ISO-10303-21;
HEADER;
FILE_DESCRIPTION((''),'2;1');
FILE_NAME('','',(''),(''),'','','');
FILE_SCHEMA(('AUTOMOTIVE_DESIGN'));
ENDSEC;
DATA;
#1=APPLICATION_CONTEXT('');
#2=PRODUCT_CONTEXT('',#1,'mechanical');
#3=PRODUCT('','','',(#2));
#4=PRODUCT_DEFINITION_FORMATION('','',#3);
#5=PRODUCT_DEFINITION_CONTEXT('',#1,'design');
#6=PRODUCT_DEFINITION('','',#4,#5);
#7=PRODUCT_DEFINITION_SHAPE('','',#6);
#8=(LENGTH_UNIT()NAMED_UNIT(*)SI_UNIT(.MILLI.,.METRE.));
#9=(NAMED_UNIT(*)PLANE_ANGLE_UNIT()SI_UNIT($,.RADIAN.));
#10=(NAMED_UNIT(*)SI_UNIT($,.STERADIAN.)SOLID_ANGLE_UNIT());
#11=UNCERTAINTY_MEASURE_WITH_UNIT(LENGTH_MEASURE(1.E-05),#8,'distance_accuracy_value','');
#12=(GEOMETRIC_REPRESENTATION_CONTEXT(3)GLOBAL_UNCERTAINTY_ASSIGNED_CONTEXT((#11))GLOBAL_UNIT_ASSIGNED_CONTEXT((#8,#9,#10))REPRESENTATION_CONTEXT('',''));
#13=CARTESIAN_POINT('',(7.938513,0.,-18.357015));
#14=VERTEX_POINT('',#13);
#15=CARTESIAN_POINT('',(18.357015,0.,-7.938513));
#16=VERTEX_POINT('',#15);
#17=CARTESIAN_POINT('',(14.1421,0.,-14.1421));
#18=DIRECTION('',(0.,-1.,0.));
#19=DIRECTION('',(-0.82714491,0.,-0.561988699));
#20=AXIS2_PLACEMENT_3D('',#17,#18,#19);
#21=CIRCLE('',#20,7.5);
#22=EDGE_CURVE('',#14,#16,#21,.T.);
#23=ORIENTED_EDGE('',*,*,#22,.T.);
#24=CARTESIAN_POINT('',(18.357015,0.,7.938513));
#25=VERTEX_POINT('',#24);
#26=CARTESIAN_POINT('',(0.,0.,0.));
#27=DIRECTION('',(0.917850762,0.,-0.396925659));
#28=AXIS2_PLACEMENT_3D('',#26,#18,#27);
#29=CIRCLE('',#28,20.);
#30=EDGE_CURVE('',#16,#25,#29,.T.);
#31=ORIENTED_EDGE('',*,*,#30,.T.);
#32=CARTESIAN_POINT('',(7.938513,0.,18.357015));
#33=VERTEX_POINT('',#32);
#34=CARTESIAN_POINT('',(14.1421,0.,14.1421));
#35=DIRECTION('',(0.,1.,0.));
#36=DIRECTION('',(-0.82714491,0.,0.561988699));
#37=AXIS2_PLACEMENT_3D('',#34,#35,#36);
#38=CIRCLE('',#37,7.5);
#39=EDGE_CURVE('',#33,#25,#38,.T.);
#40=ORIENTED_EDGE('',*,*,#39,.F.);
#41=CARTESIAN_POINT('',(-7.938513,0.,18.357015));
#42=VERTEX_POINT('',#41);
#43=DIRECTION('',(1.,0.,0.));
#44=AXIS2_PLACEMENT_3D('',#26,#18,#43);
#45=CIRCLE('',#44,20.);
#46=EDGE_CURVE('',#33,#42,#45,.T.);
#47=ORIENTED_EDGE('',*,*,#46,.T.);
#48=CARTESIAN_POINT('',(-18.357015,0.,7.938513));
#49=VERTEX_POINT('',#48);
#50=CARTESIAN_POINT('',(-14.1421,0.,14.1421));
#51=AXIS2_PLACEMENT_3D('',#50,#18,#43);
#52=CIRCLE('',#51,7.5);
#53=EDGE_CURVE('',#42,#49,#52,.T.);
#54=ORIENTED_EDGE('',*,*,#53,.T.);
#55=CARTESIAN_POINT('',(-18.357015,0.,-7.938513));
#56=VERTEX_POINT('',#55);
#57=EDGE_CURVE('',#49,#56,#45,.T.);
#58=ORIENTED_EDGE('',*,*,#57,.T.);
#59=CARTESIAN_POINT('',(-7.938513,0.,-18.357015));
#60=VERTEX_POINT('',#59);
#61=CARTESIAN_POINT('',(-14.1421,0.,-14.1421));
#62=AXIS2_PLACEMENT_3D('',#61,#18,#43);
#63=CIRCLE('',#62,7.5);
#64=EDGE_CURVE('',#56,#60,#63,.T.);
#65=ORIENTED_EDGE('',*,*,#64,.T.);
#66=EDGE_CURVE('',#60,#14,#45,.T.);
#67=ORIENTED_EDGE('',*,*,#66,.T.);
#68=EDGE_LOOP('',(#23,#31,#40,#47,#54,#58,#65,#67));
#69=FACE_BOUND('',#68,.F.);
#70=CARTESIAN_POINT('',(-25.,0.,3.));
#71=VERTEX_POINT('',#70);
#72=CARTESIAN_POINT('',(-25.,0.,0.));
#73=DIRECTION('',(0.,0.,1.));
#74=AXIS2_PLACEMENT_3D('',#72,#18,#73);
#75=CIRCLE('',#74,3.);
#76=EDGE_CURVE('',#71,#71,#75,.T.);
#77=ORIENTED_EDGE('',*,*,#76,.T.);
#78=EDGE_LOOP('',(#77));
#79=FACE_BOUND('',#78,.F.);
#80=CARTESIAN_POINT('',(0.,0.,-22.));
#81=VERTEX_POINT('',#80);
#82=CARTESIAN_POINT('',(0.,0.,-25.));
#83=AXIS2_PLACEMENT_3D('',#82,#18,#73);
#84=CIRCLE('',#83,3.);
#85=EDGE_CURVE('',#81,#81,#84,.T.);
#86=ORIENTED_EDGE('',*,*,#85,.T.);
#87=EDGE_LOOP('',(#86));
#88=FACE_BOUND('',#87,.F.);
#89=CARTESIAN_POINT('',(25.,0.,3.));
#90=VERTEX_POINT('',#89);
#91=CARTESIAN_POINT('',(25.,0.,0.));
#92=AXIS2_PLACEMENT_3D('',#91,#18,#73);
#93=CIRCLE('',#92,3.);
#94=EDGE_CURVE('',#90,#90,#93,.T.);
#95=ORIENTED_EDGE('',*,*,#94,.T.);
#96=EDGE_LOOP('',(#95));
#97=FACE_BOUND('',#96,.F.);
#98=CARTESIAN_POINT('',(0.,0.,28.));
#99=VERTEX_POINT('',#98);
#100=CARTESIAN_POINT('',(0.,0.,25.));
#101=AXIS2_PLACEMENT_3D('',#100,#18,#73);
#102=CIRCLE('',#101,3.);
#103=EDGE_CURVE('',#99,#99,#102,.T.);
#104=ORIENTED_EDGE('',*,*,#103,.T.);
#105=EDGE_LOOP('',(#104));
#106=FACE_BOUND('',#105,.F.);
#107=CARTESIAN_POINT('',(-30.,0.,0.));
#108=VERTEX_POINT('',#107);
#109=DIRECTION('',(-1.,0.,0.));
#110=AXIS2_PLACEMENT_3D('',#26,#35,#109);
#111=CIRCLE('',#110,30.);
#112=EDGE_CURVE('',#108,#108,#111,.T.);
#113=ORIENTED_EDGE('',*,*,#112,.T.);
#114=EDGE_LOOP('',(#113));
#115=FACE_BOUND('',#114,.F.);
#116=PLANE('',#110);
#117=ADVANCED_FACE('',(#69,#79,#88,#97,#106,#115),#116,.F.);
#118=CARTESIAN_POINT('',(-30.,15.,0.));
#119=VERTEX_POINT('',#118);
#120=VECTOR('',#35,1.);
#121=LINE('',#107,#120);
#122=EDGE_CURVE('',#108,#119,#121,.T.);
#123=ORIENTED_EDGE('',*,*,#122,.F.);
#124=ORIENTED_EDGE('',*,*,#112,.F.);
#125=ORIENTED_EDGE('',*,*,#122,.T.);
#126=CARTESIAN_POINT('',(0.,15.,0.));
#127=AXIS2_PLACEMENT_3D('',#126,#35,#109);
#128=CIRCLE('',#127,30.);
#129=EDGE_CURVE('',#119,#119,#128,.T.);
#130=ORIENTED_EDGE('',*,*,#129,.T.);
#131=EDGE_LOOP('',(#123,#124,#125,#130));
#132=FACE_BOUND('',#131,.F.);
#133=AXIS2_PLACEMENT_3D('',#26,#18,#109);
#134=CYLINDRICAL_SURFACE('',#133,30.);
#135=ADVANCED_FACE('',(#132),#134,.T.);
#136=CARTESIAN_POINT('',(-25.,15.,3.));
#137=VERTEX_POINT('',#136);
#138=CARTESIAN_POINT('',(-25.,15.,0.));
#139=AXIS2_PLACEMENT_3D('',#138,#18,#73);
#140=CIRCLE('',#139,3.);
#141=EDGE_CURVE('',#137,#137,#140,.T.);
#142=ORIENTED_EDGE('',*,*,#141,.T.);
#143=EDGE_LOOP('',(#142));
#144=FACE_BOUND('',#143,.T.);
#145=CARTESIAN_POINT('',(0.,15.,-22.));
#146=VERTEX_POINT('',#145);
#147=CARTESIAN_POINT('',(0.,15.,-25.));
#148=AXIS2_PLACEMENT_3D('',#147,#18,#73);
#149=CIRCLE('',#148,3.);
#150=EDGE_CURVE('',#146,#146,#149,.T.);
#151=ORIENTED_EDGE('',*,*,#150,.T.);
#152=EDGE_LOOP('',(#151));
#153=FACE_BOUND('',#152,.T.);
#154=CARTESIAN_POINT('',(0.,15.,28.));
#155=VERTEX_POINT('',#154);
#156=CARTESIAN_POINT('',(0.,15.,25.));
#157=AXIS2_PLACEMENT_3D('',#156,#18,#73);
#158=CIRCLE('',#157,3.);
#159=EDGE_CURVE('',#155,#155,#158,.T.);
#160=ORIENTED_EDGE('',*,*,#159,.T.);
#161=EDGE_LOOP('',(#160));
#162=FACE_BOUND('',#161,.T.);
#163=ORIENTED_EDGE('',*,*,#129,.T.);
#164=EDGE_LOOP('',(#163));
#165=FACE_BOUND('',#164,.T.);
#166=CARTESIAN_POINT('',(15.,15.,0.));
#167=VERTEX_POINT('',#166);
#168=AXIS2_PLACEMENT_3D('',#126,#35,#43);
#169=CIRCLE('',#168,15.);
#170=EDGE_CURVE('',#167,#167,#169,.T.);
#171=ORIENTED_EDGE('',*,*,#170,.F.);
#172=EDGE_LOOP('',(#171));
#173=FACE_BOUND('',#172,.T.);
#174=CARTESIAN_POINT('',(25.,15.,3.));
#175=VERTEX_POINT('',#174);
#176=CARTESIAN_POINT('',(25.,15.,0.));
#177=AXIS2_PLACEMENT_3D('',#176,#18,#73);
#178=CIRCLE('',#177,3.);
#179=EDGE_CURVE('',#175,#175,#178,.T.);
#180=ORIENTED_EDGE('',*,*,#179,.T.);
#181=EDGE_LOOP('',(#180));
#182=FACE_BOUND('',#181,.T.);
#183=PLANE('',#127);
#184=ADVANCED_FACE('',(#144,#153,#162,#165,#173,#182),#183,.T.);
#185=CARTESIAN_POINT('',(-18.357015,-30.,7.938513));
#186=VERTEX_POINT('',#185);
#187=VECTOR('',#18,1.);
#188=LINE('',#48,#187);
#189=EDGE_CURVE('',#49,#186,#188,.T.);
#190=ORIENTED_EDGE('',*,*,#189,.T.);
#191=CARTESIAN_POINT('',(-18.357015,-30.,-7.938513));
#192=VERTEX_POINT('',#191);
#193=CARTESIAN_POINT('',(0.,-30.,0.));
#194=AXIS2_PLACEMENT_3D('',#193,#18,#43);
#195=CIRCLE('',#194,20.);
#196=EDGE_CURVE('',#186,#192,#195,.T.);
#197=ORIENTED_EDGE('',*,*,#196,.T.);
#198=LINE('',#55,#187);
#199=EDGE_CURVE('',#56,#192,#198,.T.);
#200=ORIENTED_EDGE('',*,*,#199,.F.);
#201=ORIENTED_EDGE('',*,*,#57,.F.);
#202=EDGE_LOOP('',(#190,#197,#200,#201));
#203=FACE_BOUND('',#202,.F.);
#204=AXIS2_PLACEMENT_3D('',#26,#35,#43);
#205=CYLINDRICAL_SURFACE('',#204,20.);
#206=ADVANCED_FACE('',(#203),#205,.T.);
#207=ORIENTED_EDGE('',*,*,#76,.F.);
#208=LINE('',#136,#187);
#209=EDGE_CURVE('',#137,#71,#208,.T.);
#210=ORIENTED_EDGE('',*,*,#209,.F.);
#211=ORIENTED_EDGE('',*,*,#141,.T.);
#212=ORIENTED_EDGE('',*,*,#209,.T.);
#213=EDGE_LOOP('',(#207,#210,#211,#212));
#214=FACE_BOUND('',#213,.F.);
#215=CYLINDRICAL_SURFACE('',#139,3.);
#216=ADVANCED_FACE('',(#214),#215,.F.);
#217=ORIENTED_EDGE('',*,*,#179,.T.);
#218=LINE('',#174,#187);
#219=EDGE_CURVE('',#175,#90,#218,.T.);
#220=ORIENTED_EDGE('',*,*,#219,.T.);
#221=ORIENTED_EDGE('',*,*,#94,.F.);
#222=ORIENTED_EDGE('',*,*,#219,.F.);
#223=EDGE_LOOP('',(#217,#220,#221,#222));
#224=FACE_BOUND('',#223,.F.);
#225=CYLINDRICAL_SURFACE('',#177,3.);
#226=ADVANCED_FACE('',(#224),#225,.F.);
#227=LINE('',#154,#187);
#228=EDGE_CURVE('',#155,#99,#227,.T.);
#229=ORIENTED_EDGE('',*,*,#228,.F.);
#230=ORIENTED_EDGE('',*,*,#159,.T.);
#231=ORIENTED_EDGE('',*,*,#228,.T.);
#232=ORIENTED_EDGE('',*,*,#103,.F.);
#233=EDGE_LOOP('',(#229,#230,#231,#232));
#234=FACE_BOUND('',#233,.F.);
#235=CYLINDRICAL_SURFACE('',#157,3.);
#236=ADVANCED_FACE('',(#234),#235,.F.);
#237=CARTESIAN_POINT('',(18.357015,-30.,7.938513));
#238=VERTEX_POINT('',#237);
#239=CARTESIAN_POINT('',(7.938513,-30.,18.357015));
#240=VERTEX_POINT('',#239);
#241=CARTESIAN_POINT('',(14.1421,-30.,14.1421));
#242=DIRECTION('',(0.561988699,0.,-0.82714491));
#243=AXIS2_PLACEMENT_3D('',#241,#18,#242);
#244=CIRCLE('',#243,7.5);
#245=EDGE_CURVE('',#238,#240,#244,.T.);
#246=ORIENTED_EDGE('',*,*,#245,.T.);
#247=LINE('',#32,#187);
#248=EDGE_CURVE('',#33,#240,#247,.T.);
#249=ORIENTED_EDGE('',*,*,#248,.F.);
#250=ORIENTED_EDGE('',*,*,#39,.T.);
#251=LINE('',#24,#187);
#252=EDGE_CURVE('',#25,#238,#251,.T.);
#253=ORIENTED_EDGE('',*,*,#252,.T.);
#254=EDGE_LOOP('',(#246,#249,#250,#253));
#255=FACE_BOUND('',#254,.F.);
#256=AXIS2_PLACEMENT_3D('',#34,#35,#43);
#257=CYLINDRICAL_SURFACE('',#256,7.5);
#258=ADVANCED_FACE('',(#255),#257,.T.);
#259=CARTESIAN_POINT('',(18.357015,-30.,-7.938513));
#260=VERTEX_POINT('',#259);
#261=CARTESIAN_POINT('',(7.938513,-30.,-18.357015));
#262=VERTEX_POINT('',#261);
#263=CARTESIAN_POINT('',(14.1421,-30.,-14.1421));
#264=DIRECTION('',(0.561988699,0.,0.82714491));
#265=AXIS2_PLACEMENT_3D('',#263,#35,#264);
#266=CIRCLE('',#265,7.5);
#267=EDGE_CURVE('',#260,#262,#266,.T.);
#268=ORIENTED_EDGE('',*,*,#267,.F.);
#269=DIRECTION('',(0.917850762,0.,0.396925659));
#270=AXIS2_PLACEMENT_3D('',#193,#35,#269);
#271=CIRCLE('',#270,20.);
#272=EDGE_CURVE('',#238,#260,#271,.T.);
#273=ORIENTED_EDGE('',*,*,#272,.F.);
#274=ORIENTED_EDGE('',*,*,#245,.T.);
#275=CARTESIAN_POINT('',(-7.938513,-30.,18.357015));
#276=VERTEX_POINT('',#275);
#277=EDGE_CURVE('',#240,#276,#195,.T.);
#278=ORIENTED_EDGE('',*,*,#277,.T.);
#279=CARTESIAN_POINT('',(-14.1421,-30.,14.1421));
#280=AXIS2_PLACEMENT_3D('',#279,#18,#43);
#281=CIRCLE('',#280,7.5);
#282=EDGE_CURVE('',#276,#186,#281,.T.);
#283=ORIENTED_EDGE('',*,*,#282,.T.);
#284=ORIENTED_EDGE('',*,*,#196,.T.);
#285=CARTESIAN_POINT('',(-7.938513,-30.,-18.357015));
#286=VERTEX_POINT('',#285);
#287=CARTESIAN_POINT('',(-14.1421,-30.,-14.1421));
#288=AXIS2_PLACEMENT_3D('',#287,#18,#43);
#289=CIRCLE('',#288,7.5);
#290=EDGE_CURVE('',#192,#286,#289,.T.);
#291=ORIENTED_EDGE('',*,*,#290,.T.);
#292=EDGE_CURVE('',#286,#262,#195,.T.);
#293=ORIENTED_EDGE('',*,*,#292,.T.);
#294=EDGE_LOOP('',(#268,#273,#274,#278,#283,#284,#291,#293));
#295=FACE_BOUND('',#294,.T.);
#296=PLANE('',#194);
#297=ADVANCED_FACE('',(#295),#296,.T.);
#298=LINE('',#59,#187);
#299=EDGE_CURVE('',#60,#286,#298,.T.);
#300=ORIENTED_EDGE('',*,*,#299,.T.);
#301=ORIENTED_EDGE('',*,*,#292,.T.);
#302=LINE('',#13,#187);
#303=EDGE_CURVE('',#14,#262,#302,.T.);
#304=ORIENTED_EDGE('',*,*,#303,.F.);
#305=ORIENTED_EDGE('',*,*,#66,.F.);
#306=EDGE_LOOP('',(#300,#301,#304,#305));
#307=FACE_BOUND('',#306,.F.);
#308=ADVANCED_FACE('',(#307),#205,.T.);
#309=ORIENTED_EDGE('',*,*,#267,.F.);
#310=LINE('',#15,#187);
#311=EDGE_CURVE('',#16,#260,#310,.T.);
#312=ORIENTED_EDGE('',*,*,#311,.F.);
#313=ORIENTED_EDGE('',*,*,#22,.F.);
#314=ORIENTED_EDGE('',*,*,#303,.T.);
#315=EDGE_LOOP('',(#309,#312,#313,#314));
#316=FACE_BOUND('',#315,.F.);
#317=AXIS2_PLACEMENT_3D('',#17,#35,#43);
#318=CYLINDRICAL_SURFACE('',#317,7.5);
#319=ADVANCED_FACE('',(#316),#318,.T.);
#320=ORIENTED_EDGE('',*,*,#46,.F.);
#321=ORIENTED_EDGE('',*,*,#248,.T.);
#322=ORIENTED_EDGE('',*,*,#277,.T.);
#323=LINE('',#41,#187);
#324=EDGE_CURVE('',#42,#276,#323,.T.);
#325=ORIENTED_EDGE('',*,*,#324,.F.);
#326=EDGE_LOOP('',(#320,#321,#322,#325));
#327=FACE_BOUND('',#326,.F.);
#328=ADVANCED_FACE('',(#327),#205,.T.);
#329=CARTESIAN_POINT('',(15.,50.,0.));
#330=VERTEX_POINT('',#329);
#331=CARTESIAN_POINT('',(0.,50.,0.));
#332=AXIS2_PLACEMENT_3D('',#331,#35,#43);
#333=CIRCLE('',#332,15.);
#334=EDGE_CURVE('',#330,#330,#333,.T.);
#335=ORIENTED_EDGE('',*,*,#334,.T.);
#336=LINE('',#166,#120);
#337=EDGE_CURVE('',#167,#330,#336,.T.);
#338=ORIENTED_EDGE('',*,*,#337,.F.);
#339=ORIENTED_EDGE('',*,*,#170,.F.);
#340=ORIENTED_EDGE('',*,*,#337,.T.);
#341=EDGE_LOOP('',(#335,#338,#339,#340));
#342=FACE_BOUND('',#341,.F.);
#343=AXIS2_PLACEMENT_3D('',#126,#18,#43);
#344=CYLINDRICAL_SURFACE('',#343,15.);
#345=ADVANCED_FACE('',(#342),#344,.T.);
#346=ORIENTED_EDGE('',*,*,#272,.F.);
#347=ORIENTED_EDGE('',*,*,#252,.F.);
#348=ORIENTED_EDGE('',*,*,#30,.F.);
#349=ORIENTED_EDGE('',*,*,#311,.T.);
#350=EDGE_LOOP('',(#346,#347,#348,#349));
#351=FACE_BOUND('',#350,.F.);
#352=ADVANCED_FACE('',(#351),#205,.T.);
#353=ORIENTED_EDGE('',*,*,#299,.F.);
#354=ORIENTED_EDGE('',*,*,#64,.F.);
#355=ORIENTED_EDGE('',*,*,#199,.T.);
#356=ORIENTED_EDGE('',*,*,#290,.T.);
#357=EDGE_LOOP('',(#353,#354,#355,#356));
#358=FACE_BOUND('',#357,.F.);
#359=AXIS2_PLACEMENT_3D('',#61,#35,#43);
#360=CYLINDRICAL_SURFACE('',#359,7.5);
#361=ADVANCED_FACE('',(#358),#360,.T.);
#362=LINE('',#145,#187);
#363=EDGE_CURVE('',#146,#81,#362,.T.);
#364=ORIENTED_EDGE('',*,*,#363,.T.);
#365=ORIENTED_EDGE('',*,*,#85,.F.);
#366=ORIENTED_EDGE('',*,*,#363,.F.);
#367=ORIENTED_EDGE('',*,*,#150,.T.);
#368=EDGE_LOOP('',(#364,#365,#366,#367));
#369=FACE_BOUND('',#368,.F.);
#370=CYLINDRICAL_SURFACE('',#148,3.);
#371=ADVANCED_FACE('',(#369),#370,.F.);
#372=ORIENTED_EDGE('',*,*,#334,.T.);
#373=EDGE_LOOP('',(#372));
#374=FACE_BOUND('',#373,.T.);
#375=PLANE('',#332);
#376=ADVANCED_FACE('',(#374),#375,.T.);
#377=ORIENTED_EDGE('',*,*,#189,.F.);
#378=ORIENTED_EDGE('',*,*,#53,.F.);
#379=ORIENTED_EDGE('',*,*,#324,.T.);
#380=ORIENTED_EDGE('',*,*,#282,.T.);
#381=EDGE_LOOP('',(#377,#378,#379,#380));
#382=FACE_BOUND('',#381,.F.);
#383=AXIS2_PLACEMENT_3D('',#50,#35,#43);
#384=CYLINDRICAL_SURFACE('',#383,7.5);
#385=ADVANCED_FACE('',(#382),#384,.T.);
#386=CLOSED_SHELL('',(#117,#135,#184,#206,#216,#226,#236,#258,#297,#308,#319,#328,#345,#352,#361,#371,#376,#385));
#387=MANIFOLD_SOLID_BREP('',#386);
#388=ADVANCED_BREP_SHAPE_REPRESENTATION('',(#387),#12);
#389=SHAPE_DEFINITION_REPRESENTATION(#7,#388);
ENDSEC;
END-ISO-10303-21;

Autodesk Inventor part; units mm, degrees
ref_plane "YZ Plane" through (0, 0, 0) normal (1, 0, 0) x (0, 1, 0)
ref_plane "XZ Plane" through (0, 0, 0) normal (0, 1, 0) x (-1, 0, 0)
ref_plane "XY Plane" through (0, 0, 0) normal (0, 0, 1) x (1, 0, 0)
sketch "Эскиз1" plane through (0, 0, 0) normal (0, 1, 0) x (-1, 0, 0)
  circle A0 centre (0, 0) radius 30
  dimension "d0" = 60
extrude "Выдавливание1" add sketch "Эскиз1" along normal blind 15
sketch "Эскиз3" plane through (0, 0, 0) normal (0, -1, 0) x (1, 0, 0)
  circle A0 centre (0, 0) radius 20
  line L0 (0, 0) -> (30, 0) construction
  line L1 (0, 0) -> (30, 0) construction
  line L2 (0, 0) -> (30, 0) construction
  line L3 (0, 0) -> (30, 0) construction
  line L4 (0, 0) -> (14.1421, 14.1421)
  line L5 (0, 0) -> (20, 0) construction
  line L6 (0, 0) -> (14.1421, -14.1421)
  line L7 (0, 0) -> (-14.1421, 14.1421)
  line L8 (0, 0) -> (20, 0) construction
  line L9 (0, 0) -> (-14.1421, -14.1421)
  line L10 (0, 0) -> (20, 0) construction
  circle A1 centre (14.1421, 14.1421) radius 7.5
  circle A2 centre (14.1421, -14.1421) radius 7.5
  circle A3 centre (-14.1421, -14.1421) radius 7.5
  circle A4 centre (-14.1421, 14.1421) radius 7.5
  point P0 (-8.7707, -17.9743)
  point P1 (-16.2945, -11.5969)
  point P2 (-8.7707, 17.9743)
  point P3 (-16.2945, 11.5969)
  point P4 (11.5969, -16.2945)
  point P5 (17.9743, -8.7707)
  point P6 (17.995, 8.7282)
  point P7 (11.5862, 16.3021)
  point P8 (18.357, 7.9385)
  point P9 (7.9385, 18.357)
  point P10 (-7.9385, 18.357)
  point P11 (-18.357, 7.9385)
  point P12 (-18.357, -7.9385)
  point P13 (-7.9385, -18.357)
  point P14 (7.9385, -18.357)
  point P15 (18.357, -7.9385)
  dimension "d26" = 40
  dimension "d62" = 20
  dimension "d63" = 45
  dimension "d64" = 20
  dimension "d65" = 20
  dimension "d66" = 135
  dimension "d67" = 20
  dimension "d68" = 135
  dimension "d69" = 15
  dimension "d70" = 15
  dimension "d71" = 15
  dimension "d72" = 15
sketch "Эскиз4" plane through (0, 15, 0) normal (0, 1, 0) x (1, 0, 0)
  circle A0 centre (0, 0) radius 15
  dimension "d41" = 30
extrude "Выдавливание3" add sketch "Эскиз4" along normal blind 35
sketch "Эскиз5" plane through (0, 15, 0) normal (0, 1, 0) x (1, 0, 0)
  line L0 (0, 0) -> (0, -25)
  arc A0 (20, 0) -> (20, 0) centre (0, 0) ccw projected
  line L1 (0, 0) -> (25, 0)
  line L2 (0, 0) -> (0, 25)
  line L3 (0, 0) -> (-25, 0)
  dimension "d44" = 25
  dimension "d45" = 25
  dimension "d46" = 25
  dimension "d47" = 25
hole "Отверстие3" at (0, 15, 25) at (-25, 15, 0) at (0, 15, -25) at (25, 15, 0) direction (0, -1, 0) diameter 6 end through all
extrude "Выдавливание4" add sketch "Эскиз3" along normal blind 30
properties part number "Крепление Барабана2" material "Сталь, литейная"
